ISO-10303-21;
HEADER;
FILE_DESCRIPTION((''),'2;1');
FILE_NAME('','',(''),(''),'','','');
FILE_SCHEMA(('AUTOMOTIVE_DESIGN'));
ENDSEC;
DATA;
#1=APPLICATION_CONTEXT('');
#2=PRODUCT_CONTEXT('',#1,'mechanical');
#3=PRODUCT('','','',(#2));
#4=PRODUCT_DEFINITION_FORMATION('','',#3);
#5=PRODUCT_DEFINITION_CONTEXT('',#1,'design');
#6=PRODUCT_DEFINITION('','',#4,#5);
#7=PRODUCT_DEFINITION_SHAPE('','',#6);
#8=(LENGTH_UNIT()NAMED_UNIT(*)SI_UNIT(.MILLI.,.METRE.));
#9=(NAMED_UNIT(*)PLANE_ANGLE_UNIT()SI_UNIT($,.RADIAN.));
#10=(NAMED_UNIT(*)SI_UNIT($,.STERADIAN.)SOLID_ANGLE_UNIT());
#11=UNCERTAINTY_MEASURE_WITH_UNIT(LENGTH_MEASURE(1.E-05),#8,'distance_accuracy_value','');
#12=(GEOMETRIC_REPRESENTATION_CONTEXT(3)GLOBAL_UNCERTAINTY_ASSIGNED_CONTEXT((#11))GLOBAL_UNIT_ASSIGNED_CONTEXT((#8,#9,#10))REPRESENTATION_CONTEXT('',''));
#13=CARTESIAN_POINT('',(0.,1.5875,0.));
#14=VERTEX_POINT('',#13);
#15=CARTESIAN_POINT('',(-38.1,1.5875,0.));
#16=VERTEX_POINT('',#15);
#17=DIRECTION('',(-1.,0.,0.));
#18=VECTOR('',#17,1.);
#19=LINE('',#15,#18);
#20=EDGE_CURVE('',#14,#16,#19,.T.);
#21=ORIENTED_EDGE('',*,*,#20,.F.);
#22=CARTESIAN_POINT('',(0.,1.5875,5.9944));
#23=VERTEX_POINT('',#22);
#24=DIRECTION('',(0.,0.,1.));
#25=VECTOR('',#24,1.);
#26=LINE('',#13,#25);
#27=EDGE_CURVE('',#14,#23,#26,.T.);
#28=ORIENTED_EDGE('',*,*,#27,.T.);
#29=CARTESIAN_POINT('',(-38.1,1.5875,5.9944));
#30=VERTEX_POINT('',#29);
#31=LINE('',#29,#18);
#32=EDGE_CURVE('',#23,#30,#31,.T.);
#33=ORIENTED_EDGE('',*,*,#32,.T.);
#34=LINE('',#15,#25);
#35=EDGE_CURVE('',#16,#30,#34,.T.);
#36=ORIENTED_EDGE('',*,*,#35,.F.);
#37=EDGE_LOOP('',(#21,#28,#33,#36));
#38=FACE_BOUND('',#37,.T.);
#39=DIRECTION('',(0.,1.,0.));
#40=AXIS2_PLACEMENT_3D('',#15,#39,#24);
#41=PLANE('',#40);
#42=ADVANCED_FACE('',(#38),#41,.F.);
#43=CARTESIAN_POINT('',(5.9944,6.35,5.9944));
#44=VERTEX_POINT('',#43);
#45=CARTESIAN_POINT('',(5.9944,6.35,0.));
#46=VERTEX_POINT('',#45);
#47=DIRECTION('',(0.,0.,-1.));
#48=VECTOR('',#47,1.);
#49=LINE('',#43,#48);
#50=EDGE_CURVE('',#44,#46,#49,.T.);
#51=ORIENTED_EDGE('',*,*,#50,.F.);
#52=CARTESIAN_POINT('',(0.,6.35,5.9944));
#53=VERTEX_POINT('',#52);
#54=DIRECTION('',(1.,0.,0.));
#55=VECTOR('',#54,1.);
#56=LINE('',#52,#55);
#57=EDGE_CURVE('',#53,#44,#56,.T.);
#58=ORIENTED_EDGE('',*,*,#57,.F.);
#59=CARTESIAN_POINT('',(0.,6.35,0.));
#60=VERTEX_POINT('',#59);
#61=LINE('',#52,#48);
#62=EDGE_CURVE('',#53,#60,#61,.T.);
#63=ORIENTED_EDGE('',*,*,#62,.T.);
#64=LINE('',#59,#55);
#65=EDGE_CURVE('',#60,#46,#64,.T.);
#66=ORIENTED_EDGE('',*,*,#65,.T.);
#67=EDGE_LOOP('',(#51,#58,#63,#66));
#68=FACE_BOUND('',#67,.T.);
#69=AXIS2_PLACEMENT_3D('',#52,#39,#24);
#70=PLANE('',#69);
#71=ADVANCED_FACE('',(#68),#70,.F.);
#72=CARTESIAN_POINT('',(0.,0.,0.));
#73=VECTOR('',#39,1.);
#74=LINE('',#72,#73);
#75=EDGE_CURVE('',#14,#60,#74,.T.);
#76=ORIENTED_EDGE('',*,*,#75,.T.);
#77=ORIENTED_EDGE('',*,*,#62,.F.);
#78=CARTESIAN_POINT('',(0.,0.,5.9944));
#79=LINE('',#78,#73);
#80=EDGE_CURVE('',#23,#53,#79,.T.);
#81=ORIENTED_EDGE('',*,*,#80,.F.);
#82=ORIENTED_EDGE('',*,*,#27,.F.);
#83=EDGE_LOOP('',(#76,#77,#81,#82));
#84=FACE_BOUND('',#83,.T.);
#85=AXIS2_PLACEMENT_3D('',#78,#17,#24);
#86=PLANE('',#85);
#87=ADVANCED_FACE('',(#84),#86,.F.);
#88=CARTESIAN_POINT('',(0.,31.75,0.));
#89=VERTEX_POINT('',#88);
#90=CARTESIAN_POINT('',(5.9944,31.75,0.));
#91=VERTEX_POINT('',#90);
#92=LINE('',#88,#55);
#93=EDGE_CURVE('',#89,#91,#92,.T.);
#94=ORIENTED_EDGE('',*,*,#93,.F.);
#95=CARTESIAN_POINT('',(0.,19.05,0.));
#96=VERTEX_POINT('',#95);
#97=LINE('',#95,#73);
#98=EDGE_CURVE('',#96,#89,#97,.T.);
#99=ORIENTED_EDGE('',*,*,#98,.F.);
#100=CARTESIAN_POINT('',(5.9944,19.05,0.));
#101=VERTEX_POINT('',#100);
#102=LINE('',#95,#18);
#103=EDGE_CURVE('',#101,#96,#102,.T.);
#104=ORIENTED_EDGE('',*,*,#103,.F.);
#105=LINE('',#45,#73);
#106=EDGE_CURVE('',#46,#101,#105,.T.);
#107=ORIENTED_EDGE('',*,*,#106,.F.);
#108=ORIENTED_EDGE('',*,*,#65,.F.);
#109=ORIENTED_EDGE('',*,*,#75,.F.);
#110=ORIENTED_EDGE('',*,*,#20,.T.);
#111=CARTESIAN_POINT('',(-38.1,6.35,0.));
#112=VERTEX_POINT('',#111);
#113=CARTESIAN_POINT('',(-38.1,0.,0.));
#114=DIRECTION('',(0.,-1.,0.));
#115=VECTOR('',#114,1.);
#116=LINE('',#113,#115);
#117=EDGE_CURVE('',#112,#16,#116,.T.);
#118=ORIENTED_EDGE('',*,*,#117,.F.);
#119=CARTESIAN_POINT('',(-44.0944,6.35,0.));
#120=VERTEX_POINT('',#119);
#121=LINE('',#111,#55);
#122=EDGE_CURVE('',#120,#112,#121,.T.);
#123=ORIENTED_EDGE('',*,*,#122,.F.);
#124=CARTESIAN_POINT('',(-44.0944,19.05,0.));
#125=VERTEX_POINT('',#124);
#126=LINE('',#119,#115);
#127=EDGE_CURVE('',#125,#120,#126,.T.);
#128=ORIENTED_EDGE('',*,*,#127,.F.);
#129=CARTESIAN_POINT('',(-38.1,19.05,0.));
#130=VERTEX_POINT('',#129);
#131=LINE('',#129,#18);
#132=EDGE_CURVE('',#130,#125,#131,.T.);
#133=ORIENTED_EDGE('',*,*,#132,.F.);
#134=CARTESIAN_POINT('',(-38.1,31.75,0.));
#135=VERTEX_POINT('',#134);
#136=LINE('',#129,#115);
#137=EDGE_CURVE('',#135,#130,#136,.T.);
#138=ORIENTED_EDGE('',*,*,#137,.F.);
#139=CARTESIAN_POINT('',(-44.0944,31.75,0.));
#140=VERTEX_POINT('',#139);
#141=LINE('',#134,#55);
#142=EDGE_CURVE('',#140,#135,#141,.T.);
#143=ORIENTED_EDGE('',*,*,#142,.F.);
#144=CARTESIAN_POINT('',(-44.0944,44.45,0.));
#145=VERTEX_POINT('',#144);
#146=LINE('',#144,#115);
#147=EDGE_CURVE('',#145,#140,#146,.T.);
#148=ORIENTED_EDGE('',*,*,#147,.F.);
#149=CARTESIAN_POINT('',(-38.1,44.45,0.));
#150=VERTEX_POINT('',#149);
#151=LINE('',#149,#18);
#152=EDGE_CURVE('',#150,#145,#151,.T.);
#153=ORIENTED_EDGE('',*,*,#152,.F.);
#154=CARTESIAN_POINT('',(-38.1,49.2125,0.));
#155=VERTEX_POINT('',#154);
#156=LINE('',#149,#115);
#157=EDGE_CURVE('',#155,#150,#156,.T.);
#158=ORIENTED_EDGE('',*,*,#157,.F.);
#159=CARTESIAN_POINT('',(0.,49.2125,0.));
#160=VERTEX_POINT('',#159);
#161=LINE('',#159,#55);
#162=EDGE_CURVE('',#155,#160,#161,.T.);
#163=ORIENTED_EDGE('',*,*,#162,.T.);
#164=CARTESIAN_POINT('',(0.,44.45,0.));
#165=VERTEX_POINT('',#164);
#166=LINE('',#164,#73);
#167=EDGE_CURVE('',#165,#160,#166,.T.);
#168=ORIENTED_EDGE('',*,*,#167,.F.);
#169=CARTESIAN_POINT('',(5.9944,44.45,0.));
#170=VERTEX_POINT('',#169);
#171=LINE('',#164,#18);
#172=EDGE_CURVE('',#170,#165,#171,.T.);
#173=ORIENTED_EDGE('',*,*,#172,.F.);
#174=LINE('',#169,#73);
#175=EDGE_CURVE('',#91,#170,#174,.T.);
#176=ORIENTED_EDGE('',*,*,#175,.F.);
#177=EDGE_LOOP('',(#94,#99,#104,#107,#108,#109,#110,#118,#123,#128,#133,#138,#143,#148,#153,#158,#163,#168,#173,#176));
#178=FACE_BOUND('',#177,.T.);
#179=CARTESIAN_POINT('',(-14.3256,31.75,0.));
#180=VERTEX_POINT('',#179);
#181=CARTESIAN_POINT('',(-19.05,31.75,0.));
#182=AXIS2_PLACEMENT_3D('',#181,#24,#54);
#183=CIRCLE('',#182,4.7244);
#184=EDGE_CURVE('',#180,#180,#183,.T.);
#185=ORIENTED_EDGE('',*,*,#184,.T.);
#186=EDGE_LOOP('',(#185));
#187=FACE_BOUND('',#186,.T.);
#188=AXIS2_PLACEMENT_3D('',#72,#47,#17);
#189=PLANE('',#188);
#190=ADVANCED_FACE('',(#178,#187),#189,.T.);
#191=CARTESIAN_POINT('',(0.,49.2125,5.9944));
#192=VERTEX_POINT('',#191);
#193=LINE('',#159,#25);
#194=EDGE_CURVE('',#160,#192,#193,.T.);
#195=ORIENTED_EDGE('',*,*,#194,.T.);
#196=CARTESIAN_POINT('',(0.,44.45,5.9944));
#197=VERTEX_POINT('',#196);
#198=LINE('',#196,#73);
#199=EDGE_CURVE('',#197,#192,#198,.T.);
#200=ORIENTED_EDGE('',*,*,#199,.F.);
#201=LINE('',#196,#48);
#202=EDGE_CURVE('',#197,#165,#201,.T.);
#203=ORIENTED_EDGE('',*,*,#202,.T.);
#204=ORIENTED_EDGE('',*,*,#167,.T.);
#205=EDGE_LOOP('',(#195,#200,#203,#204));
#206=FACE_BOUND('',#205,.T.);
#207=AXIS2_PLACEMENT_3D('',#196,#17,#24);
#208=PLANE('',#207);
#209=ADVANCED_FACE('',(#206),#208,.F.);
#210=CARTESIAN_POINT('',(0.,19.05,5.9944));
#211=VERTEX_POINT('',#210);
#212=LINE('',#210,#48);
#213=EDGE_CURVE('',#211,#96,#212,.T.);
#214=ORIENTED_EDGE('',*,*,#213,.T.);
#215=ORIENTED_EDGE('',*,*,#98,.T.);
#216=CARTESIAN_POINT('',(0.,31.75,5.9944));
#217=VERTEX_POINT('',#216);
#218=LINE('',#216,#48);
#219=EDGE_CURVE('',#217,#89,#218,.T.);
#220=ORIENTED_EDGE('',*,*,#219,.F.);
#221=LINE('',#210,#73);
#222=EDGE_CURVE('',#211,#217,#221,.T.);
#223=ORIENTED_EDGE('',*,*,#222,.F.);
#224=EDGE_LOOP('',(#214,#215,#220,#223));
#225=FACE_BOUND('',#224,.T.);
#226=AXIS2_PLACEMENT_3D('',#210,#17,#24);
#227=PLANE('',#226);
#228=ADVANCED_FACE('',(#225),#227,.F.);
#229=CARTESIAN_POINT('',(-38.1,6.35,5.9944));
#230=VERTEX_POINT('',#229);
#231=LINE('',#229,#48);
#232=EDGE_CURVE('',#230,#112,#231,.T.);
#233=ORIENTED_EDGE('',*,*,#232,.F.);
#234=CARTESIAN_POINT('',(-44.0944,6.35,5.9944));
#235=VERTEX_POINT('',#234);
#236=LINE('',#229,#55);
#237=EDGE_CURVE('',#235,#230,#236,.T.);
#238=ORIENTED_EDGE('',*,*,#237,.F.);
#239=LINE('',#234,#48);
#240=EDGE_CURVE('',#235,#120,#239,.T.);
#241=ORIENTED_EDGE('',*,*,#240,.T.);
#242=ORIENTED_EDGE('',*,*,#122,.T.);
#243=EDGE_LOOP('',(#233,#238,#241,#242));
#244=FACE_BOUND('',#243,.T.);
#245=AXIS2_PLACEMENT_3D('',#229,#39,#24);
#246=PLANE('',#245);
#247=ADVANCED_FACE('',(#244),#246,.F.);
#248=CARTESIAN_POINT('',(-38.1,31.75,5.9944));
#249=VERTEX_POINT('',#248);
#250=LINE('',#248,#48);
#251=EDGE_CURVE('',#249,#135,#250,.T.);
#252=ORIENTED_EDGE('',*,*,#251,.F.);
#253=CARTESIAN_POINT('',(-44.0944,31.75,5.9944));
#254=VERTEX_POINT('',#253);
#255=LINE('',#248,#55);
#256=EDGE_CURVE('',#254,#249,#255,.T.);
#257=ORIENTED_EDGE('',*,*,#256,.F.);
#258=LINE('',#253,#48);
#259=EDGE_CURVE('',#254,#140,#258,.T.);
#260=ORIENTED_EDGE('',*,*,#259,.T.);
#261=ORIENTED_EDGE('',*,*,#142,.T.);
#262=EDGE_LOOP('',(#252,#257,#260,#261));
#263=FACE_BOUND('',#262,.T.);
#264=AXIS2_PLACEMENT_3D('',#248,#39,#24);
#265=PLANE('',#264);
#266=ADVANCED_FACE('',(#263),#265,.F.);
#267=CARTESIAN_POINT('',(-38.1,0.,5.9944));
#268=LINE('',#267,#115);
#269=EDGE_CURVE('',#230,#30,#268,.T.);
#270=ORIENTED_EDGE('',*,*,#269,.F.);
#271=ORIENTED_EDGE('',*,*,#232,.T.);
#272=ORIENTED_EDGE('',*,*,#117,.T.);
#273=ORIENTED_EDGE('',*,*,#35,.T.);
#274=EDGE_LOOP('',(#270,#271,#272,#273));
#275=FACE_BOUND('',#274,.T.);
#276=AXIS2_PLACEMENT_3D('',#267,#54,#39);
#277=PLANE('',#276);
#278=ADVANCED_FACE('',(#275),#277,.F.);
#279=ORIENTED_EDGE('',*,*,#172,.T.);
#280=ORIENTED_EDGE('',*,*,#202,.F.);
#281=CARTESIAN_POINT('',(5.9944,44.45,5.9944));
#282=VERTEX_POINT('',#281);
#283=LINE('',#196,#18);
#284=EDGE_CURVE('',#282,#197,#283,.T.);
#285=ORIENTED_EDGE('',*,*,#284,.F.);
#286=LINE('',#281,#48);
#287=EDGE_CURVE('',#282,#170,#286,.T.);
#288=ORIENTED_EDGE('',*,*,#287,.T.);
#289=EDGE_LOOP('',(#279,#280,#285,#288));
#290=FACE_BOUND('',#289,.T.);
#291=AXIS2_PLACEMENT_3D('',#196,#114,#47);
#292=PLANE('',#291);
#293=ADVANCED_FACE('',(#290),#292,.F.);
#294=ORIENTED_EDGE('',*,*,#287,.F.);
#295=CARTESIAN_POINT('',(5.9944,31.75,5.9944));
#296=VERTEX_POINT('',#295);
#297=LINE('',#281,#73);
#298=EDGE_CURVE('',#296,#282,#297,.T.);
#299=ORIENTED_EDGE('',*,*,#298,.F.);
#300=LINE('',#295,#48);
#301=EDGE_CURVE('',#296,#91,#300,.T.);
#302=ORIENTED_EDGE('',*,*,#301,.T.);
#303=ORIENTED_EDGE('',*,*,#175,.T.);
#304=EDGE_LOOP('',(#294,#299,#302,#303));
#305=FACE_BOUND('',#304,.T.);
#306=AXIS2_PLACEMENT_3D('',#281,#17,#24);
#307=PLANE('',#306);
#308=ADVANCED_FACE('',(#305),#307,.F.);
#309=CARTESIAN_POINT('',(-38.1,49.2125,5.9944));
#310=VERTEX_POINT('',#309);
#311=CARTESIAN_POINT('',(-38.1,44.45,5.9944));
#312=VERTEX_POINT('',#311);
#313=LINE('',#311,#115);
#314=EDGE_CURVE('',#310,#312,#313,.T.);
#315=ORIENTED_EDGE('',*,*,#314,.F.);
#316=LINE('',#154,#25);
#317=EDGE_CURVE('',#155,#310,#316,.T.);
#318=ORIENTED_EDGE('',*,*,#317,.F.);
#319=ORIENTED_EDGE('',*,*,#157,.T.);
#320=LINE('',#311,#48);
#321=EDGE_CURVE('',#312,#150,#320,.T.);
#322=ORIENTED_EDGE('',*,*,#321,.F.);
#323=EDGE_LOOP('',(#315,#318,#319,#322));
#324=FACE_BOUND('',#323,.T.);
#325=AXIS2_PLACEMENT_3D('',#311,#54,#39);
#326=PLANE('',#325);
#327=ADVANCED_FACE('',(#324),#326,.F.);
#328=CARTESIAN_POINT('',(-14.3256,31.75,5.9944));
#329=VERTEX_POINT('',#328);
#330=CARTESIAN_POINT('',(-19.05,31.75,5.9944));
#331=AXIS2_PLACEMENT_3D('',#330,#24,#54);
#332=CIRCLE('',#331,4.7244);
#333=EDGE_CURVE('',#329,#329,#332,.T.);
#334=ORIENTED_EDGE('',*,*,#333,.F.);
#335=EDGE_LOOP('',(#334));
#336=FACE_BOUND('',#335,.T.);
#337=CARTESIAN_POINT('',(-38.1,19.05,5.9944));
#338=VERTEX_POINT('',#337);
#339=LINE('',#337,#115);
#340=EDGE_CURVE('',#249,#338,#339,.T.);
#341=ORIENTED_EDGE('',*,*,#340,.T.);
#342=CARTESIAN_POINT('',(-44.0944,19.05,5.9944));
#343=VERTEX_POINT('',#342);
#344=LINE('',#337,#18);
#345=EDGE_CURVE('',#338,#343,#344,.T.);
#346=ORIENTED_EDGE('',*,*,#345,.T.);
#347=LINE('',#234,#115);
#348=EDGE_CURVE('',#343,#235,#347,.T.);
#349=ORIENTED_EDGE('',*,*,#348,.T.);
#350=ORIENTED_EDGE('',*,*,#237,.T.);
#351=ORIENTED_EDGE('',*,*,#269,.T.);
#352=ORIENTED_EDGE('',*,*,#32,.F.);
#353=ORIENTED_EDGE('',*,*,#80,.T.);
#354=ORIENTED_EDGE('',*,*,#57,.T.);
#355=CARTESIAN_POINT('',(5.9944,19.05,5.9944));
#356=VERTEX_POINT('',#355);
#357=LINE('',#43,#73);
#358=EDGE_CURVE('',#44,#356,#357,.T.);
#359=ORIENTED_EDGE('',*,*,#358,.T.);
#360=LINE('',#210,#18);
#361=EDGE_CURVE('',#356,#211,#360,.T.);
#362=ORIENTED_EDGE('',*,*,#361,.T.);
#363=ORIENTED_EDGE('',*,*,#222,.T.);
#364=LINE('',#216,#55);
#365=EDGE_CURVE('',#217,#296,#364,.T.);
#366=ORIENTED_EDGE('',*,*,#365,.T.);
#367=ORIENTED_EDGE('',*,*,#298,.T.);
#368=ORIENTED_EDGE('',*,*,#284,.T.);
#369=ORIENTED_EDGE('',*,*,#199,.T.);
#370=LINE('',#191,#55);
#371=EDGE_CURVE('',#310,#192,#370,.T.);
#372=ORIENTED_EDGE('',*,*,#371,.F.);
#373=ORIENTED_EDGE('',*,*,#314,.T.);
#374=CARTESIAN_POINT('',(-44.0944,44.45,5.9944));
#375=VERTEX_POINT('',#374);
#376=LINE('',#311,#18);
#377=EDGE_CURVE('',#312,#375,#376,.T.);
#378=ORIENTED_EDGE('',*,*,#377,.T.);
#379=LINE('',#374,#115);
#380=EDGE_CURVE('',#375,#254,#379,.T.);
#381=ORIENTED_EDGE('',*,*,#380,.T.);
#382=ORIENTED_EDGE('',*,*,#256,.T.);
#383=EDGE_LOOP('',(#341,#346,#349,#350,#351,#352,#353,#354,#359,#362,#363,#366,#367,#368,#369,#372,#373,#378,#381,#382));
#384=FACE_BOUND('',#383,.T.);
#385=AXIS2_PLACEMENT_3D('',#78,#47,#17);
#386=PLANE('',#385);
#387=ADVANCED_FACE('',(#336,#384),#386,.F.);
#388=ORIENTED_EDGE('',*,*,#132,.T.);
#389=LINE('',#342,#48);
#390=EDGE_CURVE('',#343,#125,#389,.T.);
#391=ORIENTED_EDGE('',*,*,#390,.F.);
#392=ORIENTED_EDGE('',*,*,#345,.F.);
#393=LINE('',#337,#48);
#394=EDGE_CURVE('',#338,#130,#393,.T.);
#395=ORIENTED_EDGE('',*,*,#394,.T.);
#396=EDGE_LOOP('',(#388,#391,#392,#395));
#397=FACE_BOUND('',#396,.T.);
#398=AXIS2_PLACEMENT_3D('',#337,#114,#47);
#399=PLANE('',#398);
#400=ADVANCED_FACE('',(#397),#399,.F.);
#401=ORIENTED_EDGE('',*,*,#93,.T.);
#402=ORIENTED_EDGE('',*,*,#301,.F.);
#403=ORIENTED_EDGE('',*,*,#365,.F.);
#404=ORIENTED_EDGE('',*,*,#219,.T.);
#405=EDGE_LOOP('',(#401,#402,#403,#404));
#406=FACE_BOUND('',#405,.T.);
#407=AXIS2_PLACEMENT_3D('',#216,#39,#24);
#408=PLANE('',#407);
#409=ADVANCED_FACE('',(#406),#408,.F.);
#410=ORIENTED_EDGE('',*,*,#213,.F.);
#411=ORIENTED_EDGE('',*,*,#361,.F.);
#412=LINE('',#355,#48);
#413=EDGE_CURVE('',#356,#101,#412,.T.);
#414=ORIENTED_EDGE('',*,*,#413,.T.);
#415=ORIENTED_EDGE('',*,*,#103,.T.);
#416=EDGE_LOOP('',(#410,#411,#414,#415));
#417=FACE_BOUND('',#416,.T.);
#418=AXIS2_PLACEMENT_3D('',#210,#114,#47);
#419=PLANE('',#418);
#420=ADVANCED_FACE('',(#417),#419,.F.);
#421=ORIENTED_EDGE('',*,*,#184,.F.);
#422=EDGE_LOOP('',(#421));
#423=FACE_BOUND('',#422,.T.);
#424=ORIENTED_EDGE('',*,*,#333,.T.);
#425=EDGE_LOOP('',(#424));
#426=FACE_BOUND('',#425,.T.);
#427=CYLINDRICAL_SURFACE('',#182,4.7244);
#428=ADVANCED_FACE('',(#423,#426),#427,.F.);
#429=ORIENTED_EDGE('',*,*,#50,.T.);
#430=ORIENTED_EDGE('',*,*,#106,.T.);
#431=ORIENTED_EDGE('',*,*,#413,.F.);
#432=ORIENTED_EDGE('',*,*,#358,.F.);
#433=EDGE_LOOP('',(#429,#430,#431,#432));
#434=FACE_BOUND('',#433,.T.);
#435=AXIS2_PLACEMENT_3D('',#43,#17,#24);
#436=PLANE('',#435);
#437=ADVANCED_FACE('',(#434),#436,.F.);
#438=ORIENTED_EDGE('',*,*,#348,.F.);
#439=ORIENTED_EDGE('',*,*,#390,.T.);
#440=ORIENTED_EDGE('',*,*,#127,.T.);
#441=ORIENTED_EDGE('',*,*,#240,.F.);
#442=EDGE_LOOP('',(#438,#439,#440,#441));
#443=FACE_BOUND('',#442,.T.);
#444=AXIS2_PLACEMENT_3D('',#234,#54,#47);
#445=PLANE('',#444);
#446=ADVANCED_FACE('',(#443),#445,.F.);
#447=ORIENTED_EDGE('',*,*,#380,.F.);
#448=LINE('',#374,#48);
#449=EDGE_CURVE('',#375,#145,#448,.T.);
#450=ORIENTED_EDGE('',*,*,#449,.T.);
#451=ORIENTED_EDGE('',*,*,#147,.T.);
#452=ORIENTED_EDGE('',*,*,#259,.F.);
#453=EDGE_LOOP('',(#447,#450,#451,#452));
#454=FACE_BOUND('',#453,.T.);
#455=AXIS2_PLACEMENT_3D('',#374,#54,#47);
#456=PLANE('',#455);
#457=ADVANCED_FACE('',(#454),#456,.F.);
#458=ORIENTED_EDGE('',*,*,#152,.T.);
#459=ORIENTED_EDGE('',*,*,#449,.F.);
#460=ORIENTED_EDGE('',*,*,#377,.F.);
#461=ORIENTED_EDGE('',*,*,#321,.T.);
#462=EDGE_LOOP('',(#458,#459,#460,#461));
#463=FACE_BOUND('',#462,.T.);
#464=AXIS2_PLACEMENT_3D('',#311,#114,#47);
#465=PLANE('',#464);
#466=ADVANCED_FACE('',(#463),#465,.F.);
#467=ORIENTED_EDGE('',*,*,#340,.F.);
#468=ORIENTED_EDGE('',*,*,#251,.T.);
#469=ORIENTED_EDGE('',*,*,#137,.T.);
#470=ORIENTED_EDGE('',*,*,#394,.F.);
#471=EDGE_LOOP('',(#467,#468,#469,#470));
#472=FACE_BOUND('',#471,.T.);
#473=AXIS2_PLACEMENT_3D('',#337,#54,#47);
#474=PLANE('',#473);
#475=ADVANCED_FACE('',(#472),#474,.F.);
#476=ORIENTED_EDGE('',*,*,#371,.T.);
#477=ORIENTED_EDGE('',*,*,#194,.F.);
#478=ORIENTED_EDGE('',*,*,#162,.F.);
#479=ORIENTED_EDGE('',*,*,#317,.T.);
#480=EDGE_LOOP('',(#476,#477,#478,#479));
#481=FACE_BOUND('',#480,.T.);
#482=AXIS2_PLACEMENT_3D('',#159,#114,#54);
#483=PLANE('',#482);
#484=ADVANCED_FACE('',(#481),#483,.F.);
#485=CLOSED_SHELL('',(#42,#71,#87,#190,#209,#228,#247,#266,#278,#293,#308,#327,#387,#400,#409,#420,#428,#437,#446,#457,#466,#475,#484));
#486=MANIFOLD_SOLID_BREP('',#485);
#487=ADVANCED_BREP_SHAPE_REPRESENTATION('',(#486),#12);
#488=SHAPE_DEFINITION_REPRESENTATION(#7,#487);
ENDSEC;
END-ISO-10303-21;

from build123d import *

# Parameters (mm, degrees)
BOSS_EXTRUDE1_DEPTH = 5.9944
SKETCH2_R           = 4.7244
CUT_EXTRUDE1_DEPTH  = 6.9944
SKETCH3_W           = 38.1
SKETCH3_H           = 1.5875
CUT_EXTRUDE2_DEPTH  = 6.9944


with BuildPart() as part:
    # Sketch1 → Boss-Extrude1 (new body)
    with BuildSketch(Plane.XY):
        Polygon((0, 0), (-38.1, 0), (-38.1, 6.35), (-44.0944, 6.35), (-44.0944, 19.05), (-38.1, 19.05), (-38.1, 31.75), (-44.0944, 31.75), (-44.0944, 44.45), (-38.1, 44.45), (-38.1, 50.8), (0, 50.8), (0, 44.45), (5.9944, 44.45), (5.9944, 31.75), (0, 31.75), (0, 19.05), (5.9944, 19.05), (5.9944, 6.35), (0, 6.35), align=None)
    extrude(amount=BOSS_EXTRUDE1_DEPTH)

    # Sketch2 → Cut-Extrude1 (cut, through all)
    with BuildSketch(Plane.XY.offset(5.9944)):
        with Locations((-19.05, 31.75)):
            Circle(SKETCH2_R)
    extrude(amount=-CUT_EXTRUDE1_DEPTH, mode=Mode.SUBTRACT)

    # Sketch3 → Cut-Extrude2 (cut, through all)
    with BuildSketch(Plane.XY.offset(5.9944)):
        with Locations((-19.05, 0.79375)):
            Rectangle(SKETCH3_W, SKETCH3_H)
        with Locations((-19.05, 50.00625)):
            Rectangle(SKETCH3_W, SKETCH3_H)
    extrude(amount=-CUT_EXTRUDE2_DEPTH, mode=Mode.SUBTRACT)


solid = part.part
